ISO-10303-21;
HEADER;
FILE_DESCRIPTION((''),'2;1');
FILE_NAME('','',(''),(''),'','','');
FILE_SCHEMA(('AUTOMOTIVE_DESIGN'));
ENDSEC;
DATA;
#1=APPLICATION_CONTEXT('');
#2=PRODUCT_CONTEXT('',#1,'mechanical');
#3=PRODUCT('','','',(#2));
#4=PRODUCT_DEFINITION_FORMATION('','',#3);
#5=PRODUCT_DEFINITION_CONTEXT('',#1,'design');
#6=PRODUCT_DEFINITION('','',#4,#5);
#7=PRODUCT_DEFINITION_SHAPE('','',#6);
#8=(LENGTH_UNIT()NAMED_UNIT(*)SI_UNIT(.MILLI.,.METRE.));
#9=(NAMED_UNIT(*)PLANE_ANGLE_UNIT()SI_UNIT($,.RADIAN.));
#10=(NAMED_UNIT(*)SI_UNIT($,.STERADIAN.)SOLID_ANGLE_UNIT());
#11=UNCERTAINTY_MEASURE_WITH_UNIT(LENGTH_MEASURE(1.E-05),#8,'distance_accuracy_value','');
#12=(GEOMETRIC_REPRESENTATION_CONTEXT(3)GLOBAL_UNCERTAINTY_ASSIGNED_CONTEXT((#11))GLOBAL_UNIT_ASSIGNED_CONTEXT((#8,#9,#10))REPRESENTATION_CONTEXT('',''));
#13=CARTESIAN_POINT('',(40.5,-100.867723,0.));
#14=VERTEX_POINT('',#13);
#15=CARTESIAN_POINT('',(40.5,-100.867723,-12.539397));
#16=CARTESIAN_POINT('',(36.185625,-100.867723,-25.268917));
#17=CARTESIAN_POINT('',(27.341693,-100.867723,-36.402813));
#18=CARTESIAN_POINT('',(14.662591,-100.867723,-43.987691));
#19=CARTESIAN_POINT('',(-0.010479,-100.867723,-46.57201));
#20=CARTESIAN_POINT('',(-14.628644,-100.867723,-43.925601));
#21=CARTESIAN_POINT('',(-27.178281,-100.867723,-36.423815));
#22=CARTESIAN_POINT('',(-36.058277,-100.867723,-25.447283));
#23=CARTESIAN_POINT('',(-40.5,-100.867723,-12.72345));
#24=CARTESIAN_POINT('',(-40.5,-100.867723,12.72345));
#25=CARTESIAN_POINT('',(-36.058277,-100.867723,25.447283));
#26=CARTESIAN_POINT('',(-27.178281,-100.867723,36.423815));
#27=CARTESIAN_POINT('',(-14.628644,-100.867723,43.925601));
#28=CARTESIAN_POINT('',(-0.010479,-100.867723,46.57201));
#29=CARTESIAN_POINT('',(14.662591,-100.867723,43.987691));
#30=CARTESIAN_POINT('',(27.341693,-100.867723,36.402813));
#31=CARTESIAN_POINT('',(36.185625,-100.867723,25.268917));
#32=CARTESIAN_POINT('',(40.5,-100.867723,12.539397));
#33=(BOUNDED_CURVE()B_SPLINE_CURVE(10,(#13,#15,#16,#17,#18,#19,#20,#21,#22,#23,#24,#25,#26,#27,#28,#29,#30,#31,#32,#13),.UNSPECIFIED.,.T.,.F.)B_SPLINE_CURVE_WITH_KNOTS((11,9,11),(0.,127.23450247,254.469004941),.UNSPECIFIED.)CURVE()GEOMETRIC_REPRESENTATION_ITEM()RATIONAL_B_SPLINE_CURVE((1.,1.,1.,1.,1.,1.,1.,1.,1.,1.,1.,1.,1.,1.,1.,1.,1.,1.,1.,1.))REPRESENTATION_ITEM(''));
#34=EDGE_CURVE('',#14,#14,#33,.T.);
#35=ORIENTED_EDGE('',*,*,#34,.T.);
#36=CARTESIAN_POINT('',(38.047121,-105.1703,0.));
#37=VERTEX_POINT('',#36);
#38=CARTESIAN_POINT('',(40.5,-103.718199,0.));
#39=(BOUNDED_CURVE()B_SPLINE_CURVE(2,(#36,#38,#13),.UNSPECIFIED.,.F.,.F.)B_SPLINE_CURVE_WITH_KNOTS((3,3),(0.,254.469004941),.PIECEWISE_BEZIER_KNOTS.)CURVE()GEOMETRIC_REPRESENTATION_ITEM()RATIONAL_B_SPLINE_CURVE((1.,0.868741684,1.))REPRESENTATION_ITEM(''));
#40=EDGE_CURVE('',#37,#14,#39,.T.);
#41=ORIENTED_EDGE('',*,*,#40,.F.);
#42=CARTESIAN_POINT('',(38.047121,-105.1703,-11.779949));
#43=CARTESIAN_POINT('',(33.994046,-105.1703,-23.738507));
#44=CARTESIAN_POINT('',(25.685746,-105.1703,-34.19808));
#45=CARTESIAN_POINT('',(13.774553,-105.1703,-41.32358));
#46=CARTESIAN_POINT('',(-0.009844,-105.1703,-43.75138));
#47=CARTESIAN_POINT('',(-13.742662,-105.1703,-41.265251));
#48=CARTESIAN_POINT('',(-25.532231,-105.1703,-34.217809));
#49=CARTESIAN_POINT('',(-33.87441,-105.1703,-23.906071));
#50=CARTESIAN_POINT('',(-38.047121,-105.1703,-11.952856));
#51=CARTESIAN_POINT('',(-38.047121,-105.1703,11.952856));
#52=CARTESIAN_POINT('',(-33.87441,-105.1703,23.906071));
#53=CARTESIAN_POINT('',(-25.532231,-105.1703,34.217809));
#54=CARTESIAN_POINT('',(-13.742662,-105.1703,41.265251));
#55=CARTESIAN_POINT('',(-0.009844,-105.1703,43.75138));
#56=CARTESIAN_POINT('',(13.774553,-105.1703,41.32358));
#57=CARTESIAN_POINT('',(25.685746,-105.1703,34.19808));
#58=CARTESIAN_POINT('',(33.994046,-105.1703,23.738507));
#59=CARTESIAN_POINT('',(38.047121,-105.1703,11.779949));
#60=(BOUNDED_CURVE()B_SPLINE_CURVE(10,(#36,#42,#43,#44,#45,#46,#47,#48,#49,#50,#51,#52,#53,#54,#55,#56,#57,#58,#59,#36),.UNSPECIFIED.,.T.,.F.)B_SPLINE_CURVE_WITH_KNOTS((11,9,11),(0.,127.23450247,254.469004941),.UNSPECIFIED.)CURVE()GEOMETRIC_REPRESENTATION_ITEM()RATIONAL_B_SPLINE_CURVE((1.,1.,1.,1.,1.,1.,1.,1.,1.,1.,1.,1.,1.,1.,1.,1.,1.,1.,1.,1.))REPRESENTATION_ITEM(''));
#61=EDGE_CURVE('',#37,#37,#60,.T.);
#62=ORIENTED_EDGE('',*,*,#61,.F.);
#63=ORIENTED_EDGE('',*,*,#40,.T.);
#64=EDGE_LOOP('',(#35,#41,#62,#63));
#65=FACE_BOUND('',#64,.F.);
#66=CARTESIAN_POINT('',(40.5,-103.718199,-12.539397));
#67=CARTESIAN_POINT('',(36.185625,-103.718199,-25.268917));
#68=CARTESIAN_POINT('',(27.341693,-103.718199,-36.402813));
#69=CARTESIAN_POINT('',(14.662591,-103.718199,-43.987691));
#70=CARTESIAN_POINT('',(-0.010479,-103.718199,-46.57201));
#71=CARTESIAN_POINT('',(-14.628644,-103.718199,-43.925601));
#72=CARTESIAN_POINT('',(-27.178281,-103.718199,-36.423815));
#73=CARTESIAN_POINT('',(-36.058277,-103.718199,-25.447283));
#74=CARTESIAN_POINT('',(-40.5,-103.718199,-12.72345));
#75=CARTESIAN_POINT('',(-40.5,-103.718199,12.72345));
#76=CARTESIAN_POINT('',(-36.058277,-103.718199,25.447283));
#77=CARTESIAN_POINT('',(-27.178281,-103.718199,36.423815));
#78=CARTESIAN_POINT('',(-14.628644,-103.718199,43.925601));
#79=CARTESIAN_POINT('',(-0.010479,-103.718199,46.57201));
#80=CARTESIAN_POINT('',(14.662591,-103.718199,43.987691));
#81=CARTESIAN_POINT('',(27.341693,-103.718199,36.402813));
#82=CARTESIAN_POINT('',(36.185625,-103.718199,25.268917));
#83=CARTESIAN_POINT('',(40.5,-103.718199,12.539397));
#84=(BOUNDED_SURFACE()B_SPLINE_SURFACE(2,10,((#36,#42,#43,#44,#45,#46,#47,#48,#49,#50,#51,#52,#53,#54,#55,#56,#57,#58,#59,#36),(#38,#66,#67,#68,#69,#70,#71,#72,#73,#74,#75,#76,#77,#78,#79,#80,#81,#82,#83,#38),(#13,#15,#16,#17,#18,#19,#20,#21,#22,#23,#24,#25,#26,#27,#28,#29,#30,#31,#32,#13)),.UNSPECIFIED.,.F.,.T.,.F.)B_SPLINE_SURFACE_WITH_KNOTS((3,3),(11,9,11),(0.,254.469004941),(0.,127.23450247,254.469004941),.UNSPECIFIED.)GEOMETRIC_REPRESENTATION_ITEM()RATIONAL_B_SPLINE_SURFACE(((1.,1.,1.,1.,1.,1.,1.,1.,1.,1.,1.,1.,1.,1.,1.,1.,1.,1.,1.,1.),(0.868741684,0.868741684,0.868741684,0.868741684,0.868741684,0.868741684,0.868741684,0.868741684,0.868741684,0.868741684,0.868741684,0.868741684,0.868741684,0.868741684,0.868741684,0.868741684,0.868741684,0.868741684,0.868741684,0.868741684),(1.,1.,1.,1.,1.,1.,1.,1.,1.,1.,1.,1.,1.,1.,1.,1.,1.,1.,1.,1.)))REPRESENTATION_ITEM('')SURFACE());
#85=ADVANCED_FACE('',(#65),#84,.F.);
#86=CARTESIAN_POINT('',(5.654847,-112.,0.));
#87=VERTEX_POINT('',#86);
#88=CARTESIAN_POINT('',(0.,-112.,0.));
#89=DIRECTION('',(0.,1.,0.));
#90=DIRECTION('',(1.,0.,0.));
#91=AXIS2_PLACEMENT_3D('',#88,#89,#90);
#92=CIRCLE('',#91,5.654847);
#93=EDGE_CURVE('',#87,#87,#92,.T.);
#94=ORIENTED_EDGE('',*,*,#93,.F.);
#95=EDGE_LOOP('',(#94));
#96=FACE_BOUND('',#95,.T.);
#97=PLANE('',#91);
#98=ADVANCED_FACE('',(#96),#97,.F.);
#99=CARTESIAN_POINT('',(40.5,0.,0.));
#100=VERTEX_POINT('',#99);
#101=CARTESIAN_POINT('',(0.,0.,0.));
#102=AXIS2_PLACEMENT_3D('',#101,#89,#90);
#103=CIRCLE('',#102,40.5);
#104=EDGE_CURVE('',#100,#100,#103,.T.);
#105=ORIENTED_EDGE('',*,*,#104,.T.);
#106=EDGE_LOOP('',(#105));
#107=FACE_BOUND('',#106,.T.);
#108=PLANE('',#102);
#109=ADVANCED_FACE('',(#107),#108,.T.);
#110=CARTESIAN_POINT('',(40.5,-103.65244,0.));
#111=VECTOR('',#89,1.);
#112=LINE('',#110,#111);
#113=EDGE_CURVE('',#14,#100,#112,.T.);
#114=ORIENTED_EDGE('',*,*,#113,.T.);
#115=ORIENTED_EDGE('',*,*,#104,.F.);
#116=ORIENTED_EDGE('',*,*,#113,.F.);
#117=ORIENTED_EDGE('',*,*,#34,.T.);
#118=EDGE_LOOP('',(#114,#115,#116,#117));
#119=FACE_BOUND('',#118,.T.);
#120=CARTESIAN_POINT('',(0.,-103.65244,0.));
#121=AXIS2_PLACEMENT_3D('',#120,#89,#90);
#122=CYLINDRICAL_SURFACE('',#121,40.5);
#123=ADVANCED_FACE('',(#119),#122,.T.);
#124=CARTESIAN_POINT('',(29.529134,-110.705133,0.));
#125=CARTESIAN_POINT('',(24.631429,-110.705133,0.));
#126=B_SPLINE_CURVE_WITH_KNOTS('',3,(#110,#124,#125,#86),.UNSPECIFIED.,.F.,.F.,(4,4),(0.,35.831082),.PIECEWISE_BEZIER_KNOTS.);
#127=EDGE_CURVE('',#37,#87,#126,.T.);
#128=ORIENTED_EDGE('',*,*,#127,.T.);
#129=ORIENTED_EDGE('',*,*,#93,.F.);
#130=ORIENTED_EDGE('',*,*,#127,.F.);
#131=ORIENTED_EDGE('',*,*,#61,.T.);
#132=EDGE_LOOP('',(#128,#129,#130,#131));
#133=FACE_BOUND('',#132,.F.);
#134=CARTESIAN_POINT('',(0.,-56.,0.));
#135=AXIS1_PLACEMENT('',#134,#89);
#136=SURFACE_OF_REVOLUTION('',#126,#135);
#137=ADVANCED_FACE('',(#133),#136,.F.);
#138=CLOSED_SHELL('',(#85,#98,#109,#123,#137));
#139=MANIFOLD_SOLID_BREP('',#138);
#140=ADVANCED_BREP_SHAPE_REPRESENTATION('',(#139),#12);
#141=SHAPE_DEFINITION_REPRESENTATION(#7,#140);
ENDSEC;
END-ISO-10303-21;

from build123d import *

# Parameters (mm, degrees)
F2_R = 5


with BuildPart() as f1:
    # F0 (on Top) → F1 (revolve)
    with BuildSketch(Plane.XY):
        with BuildLine():
            Line((40.5, 0), (0, 0))
            Line((0, 0), (0, -112))
            Line((0, -112), (5.654847, -112))
            add(Edge.make_bspline(
                [(40.5, -103.65244), (29.529134, -110.705133), (24.631429, -110.705133), (5.654847, -112)],
                knots=[0, 0, 0, 0, 35.831082, 35.831082, 35.831082, 35.831082], degree=3))
            Line((40.5, -103.65244), (40.5, 0))
        make_face()
    revolve(axis=Axis((0, -56, 0), (0, 1, 0)))

    # F2
    f2_edges = [f1.edges().sort_by_distance(p)[0] for p in [
        (-40.5, -103.65244, 0),
    ]]
    fillet(f2_edges, radius=F2_R)


solid = f1.part
